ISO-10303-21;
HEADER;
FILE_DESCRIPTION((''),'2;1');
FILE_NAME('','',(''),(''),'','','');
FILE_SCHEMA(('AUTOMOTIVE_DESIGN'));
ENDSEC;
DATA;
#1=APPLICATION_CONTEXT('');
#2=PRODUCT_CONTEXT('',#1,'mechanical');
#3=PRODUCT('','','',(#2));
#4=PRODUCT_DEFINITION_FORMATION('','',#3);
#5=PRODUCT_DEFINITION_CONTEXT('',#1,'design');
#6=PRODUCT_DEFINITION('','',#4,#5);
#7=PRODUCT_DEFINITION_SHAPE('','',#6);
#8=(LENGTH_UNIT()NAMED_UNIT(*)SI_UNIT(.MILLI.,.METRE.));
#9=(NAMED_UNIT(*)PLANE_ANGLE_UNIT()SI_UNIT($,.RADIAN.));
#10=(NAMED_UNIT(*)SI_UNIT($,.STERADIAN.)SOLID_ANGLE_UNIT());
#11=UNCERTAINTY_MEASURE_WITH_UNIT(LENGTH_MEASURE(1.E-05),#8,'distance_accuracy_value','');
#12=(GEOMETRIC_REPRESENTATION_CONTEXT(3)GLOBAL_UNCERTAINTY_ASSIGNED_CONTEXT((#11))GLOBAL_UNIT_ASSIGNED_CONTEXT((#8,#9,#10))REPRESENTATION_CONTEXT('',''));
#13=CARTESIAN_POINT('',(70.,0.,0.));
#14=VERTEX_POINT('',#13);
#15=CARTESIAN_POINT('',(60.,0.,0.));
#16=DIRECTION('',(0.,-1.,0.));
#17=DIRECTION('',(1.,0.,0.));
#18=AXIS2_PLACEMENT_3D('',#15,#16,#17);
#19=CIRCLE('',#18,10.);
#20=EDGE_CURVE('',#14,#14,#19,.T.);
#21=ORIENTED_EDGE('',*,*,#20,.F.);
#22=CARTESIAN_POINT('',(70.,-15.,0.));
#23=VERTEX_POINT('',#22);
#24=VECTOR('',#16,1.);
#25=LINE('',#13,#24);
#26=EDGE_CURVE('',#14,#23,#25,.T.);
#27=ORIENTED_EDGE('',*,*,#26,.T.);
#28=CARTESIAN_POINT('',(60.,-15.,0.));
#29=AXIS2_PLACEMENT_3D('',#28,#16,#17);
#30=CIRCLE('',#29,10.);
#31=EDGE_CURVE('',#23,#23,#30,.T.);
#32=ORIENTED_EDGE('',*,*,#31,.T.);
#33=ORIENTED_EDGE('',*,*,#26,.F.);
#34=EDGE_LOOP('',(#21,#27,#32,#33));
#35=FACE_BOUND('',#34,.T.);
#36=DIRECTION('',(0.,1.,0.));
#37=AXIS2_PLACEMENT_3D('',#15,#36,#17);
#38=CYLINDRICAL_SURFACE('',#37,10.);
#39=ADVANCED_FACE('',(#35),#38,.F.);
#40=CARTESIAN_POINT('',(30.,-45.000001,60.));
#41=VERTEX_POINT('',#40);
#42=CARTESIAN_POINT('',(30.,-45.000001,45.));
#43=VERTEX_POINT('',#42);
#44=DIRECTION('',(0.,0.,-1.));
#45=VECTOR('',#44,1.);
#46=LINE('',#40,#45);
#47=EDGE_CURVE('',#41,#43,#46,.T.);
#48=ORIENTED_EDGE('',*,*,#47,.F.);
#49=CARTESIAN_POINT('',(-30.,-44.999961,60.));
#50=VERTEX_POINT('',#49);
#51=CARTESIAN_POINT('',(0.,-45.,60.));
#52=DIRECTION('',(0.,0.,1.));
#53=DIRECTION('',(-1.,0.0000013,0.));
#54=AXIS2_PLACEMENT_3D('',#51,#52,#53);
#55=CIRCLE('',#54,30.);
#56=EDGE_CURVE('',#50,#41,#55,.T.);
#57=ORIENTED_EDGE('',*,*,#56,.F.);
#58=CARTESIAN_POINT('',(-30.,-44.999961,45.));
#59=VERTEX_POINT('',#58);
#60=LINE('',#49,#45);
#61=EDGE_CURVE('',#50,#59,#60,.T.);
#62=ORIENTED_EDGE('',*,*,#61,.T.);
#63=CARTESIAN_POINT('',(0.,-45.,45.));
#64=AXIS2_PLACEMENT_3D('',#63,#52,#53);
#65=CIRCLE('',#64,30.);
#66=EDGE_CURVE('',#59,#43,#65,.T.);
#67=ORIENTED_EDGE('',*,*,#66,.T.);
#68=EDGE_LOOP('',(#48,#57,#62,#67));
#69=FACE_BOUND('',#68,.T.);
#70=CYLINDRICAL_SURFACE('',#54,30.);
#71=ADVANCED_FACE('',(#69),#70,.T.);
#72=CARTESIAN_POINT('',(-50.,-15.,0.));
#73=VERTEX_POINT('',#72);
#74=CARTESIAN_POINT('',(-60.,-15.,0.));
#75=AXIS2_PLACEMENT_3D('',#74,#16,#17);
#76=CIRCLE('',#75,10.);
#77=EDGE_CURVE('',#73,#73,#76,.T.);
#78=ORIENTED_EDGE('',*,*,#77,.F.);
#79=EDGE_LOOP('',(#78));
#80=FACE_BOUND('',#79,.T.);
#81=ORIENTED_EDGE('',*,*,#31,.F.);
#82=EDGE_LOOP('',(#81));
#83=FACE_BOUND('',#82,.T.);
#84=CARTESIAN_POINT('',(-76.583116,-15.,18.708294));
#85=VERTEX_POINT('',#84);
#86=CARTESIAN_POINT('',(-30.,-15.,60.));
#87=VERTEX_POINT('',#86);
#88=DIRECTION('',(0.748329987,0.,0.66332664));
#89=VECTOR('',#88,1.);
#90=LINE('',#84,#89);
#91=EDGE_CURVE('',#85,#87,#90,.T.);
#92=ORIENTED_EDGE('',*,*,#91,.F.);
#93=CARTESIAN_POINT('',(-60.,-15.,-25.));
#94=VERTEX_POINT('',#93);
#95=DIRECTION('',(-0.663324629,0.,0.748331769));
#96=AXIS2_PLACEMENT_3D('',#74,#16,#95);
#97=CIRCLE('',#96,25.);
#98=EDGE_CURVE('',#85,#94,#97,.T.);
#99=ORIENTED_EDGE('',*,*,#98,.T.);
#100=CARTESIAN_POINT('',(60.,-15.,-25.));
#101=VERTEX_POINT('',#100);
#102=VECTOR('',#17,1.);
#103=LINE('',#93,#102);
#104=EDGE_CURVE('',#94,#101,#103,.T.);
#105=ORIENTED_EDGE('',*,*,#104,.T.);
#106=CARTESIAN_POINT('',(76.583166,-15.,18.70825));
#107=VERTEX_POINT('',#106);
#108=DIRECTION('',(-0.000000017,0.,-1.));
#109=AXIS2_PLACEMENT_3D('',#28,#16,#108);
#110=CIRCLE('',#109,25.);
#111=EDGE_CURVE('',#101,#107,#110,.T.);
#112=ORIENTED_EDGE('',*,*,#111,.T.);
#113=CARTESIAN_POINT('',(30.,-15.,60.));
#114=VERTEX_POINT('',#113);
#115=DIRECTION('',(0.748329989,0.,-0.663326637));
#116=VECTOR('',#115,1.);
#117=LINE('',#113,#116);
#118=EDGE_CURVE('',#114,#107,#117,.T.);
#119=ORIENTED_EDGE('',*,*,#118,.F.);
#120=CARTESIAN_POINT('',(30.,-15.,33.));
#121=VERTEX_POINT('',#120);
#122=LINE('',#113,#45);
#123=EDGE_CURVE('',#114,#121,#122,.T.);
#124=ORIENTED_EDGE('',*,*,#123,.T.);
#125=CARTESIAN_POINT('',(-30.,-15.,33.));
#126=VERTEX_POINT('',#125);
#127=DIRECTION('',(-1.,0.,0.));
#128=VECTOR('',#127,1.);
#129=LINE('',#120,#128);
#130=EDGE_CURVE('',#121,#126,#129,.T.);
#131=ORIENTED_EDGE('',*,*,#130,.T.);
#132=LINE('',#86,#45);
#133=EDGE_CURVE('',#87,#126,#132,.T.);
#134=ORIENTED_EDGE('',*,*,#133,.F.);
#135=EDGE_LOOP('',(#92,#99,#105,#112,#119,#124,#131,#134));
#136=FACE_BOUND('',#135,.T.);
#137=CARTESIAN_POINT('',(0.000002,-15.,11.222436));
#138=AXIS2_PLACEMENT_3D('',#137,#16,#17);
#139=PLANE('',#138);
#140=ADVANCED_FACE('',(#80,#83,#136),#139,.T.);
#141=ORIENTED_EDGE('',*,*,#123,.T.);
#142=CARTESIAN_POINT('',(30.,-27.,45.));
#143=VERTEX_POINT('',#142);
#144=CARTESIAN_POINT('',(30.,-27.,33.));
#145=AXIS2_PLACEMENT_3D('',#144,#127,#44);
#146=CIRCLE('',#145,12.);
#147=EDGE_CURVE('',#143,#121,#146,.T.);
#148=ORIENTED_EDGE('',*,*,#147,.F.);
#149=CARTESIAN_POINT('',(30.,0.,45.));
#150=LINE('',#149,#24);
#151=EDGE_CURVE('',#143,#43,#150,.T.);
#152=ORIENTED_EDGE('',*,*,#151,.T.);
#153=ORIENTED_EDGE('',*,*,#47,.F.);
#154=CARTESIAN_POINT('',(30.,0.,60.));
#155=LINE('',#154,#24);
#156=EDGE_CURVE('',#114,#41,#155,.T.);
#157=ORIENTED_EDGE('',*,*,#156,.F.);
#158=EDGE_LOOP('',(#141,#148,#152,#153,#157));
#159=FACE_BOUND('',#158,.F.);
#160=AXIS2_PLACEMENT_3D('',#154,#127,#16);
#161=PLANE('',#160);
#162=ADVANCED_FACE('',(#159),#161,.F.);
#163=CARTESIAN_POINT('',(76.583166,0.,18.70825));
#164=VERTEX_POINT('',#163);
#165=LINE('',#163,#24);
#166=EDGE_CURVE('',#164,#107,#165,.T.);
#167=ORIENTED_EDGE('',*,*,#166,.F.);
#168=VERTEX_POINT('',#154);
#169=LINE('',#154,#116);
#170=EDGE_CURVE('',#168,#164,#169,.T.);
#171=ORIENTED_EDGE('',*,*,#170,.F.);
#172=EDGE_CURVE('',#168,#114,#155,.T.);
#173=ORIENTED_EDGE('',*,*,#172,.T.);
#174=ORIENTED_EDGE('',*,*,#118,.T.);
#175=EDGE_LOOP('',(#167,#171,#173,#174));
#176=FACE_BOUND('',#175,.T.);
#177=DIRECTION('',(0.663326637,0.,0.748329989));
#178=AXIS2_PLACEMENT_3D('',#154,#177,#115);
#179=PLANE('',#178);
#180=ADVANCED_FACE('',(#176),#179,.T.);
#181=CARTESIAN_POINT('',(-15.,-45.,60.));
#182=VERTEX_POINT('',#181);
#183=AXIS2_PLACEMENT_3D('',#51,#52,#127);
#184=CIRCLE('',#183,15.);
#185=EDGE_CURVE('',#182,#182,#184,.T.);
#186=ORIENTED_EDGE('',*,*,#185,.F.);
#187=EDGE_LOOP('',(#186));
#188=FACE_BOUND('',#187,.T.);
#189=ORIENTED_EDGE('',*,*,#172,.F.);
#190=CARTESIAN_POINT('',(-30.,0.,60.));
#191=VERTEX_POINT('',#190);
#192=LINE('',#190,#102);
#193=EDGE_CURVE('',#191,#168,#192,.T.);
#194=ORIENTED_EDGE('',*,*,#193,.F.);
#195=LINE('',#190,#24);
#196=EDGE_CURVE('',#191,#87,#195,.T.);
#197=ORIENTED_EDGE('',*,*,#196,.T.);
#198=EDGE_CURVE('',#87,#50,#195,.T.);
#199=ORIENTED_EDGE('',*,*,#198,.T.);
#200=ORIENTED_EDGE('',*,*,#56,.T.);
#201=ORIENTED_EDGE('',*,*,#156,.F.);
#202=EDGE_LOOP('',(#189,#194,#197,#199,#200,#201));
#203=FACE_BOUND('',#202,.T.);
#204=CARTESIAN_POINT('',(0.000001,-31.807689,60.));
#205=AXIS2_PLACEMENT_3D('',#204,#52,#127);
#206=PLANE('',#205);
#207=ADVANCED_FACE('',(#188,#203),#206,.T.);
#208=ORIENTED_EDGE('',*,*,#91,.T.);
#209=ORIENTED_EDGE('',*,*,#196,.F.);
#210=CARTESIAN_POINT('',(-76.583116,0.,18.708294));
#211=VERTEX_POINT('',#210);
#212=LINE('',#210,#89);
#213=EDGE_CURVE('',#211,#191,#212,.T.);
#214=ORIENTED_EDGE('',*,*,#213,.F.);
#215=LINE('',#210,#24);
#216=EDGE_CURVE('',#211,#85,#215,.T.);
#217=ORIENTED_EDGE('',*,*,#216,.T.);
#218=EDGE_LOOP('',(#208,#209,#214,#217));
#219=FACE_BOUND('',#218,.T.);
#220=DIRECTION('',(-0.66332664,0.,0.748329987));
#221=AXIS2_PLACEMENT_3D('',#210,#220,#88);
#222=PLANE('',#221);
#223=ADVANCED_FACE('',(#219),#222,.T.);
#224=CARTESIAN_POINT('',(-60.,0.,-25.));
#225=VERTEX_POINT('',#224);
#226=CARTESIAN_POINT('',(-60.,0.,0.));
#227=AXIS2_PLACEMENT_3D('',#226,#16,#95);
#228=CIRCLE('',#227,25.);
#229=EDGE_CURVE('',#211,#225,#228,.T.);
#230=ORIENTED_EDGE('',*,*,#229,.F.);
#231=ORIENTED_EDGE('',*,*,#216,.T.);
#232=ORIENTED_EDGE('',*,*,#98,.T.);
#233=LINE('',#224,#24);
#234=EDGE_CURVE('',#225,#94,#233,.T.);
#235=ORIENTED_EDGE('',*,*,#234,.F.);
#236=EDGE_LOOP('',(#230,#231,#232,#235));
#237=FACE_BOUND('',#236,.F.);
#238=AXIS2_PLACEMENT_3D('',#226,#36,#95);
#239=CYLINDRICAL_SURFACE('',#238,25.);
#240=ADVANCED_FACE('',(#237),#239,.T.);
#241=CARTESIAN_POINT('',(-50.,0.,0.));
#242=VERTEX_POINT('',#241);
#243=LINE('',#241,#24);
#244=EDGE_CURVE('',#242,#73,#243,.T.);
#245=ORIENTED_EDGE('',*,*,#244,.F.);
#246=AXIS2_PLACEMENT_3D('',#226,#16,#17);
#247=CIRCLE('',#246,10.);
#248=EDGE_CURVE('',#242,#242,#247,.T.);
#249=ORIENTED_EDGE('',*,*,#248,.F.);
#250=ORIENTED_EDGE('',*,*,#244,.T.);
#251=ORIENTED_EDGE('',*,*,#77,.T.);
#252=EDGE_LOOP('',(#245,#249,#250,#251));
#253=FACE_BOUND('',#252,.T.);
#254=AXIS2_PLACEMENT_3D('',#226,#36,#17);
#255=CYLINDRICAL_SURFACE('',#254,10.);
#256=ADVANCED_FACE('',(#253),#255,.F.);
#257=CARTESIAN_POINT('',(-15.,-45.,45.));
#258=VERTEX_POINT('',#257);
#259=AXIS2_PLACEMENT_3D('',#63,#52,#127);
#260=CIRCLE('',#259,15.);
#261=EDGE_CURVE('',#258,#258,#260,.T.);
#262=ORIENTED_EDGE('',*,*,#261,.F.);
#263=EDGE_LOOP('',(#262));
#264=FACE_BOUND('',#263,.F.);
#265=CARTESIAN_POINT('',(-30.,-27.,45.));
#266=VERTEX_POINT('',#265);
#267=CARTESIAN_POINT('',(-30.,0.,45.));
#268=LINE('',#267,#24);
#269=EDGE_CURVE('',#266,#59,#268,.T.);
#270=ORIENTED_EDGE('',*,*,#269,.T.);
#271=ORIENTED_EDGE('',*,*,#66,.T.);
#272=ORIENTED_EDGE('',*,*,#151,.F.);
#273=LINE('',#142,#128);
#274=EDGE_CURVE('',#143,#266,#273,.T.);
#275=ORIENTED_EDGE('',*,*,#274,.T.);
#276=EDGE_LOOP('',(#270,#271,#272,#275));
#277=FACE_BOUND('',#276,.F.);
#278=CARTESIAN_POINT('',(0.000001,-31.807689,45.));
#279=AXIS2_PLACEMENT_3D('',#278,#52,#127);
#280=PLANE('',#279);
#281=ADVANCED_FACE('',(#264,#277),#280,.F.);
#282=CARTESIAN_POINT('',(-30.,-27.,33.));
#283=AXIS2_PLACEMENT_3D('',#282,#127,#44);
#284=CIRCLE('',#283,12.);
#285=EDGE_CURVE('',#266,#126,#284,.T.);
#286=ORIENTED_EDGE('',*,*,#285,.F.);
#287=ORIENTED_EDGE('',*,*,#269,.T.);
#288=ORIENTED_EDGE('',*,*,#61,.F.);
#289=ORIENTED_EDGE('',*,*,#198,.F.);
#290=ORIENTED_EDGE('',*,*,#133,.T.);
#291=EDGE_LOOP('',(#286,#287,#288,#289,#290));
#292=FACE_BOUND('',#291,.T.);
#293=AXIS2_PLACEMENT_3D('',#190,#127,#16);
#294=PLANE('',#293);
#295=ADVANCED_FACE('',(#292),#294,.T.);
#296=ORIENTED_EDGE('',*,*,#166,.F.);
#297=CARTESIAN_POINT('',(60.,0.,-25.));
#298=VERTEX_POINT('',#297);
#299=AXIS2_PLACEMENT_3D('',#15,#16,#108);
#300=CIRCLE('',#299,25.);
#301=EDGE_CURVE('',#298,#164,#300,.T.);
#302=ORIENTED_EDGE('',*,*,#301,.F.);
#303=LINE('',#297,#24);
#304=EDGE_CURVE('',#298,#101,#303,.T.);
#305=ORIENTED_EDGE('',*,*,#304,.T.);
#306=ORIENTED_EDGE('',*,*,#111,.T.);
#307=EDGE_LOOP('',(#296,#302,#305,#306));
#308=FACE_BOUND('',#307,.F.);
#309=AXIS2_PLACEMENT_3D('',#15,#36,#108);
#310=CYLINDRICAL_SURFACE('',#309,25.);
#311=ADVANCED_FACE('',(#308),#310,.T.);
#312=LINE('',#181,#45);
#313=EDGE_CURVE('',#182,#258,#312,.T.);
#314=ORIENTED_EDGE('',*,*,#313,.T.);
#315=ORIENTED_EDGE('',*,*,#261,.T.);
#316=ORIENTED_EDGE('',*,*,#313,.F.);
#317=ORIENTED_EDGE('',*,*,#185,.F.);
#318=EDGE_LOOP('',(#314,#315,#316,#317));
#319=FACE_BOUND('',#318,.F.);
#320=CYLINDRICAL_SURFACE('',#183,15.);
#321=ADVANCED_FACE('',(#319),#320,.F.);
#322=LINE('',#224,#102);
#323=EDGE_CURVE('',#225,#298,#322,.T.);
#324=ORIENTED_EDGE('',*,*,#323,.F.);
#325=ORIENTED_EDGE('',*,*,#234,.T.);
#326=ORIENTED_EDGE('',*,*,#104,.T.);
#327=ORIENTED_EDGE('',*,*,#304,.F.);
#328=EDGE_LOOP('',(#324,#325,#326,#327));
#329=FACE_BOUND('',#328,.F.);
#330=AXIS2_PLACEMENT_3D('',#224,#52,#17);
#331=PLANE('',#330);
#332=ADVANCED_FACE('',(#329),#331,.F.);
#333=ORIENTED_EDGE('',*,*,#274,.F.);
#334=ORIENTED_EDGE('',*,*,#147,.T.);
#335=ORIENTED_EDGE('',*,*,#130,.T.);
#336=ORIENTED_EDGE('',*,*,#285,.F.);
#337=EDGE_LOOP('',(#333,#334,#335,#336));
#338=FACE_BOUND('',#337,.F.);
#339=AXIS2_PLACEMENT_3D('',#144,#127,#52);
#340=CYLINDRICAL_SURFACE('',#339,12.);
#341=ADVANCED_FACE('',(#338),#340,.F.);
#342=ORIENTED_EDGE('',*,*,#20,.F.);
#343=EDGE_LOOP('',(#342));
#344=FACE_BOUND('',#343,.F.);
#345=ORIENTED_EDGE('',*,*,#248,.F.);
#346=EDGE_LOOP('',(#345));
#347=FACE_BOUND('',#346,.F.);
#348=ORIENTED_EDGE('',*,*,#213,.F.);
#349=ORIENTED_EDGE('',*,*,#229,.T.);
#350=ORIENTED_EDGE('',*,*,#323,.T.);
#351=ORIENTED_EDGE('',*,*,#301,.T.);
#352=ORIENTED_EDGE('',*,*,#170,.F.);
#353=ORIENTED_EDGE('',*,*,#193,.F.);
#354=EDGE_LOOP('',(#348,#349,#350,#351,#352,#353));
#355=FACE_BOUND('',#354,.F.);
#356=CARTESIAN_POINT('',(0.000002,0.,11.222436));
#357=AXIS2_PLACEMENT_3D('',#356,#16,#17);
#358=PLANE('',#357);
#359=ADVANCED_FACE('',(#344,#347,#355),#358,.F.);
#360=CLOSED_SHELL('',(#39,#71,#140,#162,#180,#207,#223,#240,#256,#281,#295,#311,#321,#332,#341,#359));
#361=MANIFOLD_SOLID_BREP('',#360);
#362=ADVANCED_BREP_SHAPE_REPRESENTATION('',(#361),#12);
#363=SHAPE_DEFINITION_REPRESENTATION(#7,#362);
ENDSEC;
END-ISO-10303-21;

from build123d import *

# Parameters (mm, degrees)
SKETCH_R     = 10
PAD_DEPTH    = 15
SKETCH001_R  = 15
PAD001_DEPTH = 15
FILLET_R     = 12


with BuildPart() as part:
    # Sketch → Pad (new body)
    with BuildSketch(Plane.XZ):
        with BuildLine():
            ThreePointArc((-76.583116, 18.708294), (-83.37421, -8.868276), (-60, -25))
            Line((-60, -25), (60, -25))
            ThreePointArc((60, -25), (83.374198, -8.868308), (76.583166, 18.70825))
            Line((30, 60), (76.583166, 18.70825))
            Line((-30, 60), (30, 60))
            Line((-76.583116, 18.708294), (-30, 60))
        make_face()
        with Locations((-60, 0)):
            Circle(SKETCH_R, mode=Mode.SUBTRACT)
        with Locations((60, 0)):
            Circle(SKETCH_R, mode=Mode.SUBTRACT)
    extrude(amount=PAD_DEPTH)

    # Sketch001 → Pad001 (new body)
    with BuildSketch(Plane(origin=(0, 0, 60), x_dir=(-1, 0, 0), z_dir=(0, 0, 1))):
        with BuildLine():
            ThreePointArc((30, 44.999961), (2e-05, 75), (-30, 45.000001))
            Line((-30, 0), (-30, 45.000001))
            Line((-30, 0), (30, 0))
            Line((30, 0), (30, 44.999961))
        make_face()
        with Locations((0, 45)):
            Circle(SKETCH001_R, mode=Mode.SUBTRACT)
    extrude(amount=-PAD001_DEPTH)

    # Fillet
    fillet_edges = [part.edges().sort_by_distance(p)[0] for p in [
        (0, -15, 45),
    ]]
    fillet(fillet_edges, radius=FILLET_R)


solid = part.part
